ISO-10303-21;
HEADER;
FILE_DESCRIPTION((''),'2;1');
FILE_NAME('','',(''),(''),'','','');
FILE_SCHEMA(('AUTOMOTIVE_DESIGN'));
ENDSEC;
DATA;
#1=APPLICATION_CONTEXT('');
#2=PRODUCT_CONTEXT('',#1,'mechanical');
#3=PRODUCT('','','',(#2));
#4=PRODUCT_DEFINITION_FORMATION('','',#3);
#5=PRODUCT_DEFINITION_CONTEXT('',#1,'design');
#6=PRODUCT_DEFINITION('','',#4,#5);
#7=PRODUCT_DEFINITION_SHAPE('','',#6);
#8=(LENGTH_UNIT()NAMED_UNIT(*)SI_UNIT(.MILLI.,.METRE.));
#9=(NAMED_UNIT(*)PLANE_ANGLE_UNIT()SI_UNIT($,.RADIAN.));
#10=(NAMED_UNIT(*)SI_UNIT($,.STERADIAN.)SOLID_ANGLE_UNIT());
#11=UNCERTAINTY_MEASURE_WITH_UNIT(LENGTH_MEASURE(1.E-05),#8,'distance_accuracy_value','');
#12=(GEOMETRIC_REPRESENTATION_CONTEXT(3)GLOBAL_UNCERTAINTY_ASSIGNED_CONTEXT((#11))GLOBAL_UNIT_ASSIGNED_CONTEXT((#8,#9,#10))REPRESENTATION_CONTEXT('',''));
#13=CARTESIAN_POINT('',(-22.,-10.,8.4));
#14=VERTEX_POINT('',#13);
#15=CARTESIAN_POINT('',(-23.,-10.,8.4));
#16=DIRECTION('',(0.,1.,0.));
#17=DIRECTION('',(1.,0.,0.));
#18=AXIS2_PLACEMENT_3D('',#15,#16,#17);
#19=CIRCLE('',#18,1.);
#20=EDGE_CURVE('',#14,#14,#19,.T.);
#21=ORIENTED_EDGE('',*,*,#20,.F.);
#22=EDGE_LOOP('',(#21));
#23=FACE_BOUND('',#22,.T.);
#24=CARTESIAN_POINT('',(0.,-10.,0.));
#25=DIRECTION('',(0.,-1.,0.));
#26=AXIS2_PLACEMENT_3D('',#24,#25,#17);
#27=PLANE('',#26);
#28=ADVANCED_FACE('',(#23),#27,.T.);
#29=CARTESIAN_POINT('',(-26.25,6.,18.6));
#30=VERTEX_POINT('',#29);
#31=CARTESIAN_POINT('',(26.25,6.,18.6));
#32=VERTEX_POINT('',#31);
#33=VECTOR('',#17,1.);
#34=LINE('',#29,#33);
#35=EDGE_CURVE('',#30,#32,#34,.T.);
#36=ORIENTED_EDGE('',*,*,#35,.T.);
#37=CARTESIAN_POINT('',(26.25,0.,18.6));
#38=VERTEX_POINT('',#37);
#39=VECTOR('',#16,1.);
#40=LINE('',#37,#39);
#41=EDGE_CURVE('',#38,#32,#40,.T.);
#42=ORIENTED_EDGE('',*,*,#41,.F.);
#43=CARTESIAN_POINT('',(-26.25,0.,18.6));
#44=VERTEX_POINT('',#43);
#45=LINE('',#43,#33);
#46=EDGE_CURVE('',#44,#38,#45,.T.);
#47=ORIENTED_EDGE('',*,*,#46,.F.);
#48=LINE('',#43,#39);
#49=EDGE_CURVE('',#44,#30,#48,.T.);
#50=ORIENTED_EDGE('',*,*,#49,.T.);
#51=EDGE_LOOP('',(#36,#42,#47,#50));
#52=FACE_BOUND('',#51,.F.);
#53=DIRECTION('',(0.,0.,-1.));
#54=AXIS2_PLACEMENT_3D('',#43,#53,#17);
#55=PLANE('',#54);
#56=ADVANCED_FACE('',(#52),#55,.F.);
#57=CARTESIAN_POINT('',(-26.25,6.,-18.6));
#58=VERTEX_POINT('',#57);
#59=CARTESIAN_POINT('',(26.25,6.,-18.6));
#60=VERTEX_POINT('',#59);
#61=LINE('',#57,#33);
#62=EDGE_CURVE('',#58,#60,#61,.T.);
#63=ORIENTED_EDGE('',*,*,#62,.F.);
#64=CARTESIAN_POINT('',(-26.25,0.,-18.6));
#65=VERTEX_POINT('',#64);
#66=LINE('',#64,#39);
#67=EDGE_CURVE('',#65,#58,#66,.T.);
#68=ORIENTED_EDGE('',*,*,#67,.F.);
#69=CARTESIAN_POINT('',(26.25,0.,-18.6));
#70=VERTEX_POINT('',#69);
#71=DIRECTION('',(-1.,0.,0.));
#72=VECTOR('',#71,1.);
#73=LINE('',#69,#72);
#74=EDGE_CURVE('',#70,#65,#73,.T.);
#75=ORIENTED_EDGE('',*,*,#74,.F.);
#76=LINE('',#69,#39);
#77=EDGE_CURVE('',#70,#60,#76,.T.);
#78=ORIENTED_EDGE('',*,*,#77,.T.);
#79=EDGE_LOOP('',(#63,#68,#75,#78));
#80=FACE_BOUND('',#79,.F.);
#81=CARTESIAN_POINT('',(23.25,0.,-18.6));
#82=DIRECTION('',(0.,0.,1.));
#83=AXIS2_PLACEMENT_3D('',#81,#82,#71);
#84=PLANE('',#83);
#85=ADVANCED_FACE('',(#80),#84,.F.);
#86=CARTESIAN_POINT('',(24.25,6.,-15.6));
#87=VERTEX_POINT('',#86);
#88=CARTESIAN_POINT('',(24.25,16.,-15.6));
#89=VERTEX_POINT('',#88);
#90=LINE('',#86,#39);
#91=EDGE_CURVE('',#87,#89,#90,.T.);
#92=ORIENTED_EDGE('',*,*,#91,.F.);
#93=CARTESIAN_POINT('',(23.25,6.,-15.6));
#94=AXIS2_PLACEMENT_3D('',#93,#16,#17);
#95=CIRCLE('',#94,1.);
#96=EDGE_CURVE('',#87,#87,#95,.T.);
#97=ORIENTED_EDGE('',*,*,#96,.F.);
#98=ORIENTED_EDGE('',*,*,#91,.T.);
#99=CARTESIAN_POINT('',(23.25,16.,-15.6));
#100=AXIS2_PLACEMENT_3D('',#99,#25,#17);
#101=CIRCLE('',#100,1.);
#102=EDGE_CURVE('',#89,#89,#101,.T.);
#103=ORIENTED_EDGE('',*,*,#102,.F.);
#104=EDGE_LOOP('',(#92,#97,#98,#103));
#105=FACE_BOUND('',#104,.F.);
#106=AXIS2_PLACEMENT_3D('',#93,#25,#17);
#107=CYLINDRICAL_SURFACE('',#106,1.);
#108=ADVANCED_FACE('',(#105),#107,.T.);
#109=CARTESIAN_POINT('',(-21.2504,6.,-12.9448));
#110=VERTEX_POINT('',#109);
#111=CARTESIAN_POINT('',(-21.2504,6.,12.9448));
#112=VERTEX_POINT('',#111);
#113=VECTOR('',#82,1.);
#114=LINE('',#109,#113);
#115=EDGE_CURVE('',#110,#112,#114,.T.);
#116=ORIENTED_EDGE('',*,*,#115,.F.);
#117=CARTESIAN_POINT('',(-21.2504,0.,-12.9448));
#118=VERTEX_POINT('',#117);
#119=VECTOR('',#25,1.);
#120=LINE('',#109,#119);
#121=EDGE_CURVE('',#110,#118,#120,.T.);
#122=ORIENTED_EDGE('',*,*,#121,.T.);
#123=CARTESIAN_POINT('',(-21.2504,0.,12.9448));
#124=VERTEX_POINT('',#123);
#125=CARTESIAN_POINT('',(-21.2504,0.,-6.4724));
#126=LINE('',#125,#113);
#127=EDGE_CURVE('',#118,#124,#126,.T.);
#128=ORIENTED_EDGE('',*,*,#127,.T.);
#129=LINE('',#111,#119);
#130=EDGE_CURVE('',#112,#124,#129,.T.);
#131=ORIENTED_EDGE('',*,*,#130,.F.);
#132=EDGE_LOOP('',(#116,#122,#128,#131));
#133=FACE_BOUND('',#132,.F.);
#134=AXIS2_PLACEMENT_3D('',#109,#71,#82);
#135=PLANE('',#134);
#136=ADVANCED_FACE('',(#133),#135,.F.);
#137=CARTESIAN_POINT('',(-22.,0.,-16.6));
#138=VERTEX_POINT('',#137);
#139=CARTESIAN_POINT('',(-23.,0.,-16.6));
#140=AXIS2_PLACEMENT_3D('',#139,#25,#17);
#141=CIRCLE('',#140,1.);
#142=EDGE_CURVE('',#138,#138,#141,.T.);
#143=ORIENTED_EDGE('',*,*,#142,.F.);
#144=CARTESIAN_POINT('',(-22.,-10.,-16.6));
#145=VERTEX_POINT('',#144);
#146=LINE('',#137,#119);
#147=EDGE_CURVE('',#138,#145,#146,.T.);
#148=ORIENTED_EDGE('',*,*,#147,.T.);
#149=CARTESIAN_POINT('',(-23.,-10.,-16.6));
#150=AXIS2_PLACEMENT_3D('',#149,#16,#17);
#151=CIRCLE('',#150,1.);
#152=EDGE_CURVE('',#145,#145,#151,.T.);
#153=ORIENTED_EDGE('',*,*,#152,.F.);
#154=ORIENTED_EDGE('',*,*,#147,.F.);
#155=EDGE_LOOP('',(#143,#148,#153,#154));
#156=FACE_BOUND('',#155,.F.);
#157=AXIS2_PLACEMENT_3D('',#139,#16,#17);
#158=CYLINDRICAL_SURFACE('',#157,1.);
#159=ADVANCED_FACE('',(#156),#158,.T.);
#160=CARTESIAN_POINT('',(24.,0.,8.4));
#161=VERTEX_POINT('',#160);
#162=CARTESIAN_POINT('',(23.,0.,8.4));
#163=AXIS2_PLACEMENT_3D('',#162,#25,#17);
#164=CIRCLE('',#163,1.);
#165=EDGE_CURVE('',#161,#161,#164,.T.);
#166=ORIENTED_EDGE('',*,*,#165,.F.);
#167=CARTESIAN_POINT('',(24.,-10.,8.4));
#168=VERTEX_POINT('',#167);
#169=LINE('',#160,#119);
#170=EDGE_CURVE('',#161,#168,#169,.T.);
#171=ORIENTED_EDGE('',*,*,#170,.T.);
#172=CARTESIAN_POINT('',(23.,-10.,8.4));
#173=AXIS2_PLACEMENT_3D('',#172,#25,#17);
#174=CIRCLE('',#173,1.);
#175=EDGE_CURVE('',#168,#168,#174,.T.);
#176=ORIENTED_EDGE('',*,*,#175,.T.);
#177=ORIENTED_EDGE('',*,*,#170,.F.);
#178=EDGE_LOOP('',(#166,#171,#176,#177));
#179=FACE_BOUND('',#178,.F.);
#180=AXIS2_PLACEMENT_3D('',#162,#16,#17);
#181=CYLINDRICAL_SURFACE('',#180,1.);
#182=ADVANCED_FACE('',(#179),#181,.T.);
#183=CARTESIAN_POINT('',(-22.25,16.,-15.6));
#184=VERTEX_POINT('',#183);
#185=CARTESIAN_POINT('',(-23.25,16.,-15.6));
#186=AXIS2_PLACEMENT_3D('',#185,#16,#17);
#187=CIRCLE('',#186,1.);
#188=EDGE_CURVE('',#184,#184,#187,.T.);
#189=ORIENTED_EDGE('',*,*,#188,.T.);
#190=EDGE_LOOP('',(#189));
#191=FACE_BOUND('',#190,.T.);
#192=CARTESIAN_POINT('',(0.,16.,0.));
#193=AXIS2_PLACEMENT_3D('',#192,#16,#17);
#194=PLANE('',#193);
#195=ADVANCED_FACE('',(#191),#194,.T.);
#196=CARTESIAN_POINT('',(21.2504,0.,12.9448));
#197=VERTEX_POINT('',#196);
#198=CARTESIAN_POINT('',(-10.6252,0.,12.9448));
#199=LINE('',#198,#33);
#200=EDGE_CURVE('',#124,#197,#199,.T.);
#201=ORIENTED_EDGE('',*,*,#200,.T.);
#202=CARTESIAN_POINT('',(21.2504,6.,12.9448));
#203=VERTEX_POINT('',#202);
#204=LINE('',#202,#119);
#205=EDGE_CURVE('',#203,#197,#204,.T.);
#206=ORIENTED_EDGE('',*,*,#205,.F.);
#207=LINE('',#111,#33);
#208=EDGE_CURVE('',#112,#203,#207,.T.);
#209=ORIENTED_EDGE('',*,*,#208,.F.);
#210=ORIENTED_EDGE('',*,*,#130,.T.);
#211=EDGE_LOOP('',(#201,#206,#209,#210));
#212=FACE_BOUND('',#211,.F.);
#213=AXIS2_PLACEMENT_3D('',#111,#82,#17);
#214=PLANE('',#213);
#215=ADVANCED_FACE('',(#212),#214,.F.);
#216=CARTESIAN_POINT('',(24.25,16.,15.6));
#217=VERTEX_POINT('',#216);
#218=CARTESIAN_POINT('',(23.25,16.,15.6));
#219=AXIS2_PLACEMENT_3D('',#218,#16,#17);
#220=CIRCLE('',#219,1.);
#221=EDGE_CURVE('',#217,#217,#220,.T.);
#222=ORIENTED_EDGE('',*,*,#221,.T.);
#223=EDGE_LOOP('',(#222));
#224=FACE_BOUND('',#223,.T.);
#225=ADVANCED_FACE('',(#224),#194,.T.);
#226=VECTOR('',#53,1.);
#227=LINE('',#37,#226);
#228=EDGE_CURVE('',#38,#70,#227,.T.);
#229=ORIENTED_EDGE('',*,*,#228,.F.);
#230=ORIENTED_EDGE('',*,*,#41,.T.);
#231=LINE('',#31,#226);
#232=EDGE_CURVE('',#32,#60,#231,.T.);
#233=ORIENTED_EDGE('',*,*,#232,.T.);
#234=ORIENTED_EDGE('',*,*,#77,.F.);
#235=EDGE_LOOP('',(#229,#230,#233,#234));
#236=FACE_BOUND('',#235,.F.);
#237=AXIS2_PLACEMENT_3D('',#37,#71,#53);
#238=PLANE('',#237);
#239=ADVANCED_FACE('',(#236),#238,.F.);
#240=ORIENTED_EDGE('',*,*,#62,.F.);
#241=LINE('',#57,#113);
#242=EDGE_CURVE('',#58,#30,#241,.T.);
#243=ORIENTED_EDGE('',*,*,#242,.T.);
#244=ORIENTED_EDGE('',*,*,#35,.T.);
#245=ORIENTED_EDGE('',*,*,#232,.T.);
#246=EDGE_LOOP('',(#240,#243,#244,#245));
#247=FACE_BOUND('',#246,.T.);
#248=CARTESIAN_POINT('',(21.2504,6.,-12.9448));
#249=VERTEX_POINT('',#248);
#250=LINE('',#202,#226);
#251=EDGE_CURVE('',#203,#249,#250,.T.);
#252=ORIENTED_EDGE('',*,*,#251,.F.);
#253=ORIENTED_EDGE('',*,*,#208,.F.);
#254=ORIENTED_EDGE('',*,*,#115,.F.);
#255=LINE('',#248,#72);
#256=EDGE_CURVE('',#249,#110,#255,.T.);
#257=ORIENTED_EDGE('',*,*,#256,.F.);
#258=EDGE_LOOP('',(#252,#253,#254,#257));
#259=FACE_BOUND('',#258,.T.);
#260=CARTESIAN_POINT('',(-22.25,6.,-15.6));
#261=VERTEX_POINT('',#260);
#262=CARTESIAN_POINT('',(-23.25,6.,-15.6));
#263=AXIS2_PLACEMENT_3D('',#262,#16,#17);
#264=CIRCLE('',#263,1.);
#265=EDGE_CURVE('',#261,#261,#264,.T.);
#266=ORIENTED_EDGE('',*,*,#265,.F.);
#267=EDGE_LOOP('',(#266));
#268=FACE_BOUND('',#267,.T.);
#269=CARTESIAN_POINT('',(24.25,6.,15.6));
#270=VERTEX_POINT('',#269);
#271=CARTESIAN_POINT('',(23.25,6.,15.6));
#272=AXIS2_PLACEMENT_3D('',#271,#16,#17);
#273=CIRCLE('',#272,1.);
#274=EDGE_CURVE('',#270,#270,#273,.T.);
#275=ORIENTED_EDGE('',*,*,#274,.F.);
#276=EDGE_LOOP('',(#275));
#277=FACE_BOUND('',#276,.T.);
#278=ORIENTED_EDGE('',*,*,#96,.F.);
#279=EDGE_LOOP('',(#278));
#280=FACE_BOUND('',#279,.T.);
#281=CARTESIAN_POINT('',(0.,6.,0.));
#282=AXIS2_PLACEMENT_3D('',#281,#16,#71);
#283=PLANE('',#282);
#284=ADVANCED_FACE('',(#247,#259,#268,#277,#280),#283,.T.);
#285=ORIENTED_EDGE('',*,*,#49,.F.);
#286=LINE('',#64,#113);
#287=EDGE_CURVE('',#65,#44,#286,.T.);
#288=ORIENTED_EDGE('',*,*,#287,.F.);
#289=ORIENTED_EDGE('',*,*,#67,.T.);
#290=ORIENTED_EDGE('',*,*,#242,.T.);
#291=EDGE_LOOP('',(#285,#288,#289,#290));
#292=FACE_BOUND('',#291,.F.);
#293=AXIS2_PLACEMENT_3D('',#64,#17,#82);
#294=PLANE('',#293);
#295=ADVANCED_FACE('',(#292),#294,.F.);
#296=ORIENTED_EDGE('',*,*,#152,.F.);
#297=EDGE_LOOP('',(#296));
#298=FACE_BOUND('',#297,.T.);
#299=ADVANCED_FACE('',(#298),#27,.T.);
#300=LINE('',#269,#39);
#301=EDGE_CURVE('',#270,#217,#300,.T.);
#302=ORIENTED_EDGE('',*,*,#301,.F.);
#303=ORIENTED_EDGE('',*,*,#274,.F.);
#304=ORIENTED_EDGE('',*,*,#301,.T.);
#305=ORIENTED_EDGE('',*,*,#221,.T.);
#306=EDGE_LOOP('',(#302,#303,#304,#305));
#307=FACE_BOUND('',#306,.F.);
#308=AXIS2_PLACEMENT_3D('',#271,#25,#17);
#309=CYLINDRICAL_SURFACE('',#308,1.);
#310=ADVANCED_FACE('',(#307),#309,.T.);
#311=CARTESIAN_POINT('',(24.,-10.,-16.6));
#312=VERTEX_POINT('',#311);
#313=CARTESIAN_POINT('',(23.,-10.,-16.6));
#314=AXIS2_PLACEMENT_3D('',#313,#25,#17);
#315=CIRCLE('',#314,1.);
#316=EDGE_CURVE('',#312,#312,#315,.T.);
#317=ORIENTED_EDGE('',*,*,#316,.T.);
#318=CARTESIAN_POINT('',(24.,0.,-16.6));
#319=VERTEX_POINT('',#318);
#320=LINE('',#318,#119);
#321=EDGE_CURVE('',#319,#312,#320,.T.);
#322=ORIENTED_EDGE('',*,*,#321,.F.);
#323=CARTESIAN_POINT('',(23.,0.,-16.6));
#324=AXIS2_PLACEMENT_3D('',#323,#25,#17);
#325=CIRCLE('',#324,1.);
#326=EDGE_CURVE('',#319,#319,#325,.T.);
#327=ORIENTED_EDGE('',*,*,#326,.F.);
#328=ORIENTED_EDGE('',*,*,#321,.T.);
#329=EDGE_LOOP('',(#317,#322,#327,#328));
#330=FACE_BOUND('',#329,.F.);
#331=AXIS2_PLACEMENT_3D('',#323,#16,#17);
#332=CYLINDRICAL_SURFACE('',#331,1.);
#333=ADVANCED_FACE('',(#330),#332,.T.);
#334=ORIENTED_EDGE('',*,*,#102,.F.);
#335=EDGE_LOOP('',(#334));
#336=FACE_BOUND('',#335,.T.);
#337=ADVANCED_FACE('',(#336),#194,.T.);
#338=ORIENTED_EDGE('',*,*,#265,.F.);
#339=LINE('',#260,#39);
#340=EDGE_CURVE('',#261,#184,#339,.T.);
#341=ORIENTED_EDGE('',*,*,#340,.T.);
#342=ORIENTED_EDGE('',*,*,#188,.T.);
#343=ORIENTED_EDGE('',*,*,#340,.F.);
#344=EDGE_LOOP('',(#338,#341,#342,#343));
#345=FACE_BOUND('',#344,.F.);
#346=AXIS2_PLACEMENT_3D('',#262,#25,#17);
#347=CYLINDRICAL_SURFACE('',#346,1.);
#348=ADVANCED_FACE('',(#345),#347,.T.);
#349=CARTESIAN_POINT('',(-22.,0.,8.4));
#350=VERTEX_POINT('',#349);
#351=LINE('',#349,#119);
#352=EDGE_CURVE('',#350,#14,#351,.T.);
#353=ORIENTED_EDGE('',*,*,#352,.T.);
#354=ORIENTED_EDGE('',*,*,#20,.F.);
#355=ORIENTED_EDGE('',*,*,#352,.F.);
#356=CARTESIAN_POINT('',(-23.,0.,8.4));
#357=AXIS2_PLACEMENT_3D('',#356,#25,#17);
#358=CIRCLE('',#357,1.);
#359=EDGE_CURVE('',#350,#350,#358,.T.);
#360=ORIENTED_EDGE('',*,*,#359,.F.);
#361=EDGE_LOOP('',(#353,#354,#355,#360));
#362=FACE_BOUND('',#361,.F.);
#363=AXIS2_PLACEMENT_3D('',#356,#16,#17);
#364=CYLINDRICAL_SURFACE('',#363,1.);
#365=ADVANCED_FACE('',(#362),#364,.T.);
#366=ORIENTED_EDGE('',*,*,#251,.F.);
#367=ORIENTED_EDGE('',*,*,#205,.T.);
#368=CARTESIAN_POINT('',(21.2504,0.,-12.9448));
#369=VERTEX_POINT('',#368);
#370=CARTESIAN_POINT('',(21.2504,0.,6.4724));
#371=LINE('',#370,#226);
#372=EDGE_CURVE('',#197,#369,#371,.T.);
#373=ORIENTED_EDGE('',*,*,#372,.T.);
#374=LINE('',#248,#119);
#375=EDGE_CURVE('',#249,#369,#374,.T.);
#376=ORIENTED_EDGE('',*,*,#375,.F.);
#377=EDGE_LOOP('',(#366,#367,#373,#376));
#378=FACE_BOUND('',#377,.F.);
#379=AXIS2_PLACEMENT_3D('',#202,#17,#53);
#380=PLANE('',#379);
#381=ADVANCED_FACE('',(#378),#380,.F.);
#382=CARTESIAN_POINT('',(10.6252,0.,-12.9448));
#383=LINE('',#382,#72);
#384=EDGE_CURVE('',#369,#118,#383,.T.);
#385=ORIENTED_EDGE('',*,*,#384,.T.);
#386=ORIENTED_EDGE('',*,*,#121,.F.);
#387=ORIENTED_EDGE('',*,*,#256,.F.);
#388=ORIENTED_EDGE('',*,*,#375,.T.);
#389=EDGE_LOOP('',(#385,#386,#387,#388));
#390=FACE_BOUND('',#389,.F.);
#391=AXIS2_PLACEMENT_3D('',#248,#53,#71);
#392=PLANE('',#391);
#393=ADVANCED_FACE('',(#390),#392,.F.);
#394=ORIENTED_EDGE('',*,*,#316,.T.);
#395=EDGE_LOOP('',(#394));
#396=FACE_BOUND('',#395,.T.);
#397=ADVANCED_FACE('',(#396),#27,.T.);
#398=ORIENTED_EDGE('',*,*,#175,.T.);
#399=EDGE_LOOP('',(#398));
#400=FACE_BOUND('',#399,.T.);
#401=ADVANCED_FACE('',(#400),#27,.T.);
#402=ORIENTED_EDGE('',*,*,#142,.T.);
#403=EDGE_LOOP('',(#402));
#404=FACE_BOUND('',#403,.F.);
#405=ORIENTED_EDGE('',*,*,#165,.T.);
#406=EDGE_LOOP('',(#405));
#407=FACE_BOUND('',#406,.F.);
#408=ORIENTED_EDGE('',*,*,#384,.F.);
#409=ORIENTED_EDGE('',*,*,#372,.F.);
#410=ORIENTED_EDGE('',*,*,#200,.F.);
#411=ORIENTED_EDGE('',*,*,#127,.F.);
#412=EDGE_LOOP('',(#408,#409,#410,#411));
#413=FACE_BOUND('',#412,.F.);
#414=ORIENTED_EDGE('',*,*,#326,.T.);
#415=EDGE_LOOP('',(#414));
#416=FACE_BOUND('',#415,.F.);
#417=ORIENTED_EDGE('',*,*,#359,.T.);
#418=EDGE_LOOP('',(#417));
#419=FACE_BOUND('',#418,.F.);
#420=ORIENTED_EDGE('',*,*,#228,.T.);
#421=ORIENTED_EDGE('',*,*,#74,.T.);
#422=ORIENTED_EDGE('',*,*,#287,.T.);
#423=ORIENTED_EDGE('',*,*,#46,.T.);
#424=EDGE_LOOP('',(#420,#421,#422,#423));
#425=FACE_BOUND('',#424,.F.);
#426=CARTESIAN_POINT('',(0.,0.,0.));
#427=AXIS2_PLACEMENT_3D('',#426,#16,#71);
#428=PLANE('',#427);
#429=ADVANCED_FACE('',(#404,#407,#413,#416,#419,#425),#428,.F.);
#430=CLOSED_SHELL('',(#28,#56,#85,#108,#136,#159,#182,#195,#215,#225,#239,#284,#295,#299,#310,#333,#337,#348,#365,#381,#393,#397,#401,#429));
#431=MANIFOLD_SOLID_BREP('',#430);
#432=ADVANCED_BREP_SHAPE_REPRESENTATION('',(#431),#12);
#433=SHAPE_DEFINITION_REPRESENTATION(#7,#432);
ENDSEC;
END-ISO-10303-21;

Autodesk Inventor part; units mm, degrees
ref_plane "YZ Plane" through (0, 0, 0) normal (1, 0, 0) x (0, 1, 0)
ref_plane "XZ Plane" through (0, 0, 0) normal (0, 1, 0) x (-1, 0, 0)
ref_plane "XY Plane" through (0, 0, 0) normal (0, 0, 1) x (1, 0, 0)
sketch "Sketch1" plane through (0, 0, 0) normal (0, 1, 0) x (-1, 0, 0)
  line L0 (26.25, 18.6) -> (-26.25, 18.6)
  line L1 (-26.25, 18.6) -> (-26.25, -18.6)
  line L2 (-26.25, -18.6) -> (26.25, -18.6)
  line L3 (26.25, -18.6) -> (26.25, 18.6)
  line L4 (26.25, 18.6) -> (-26.25, -18.6) construction
  line L5 (-26.25, 18.6) -> (26.25, -18.6) construction
  line L6 (-26.25, -18.6) -> (-23.25, -18.6)
  point P0 (0, 0)
  dimension "d0" = 52.5
  dimension "d1" = 37.2
  dimension "d2" = 3
extrude "Extrusion1" add sketch "Sketch1" along normal blind 6
sketch "Sketch2" plane through (0, 6, 0) normal (0, 1, 0) x (1, 0, 0)
  line L0 (26.25, 18.6) -> (-26.25, 18.6) projected
  line L1 (26.25, 18.6) -> (26.25, 15.6)
  line L2 (26.25, -18.6) -> (26.25, 18.6) projected
  line L3 (26.25, 18.6) -> (23.25, 18.6)
  line L4 (23.25, 18.6) -> (23.25, 15.6)
  circle A0 centre (23.25, 15.6) radius 1
  line L5 (26.25, 0) -> (18.0402, 0)
  line L6 (0, 18.6) -> (0, 10.2391)
  circle A1 centre (23.25, -15.6) radius 1
  circle A2 centre (-23.25, 15.6) radius 1
  point P0 (0, 0)
  dimension "d5" = 3
  dimension "d6" = 3
  dimension "d7" = 2
extrude "Extrusion2" add sketch "Sketch2" along normal blind 10
sketch "Sketch4" plane through (0, 0, 0) normal (0, -1, 0) x (1, 0, 0)
  line L0 (26.25, -18.6) -> (-26.25, -18.6) projected
  line L1 (-26.25, -18.6) -> (-26.25, -16.6)
  line L2 (-26.25, -18.6) -> (-26.25, 18.6) projected
  line L3 (-26.25, -16.6) -> (-23, -16.6)
  circle A0 centre (-23, -16.6) radius 1
  line L4 (-23, -16.6) -> (-23, 8.4)
  line L5 (-23, -4.1) -> (-16.8136, -4.1)
  circle A1 centre (-23, 8.4) radius 1
  line L6 (0, -18.6) -> (0, -14.1147)
  circle A2 centre (23, -16.6) radius 1
  circle A3 centre (23, 8.4) radius 1
  point P0 (0, 0)
  dimension "d16" = 2
  dimension "d17" = 3.25
  dimension "d18" = 2
  dimension "d19" = 25
extrude "Extrusion4" add sketch "Sketch4" along normal blind 10
sketch "Sketch5" plane through (0, 6, 0) normal (0, 1, 0) x (1, 0, 0)
  line L0 (-21.2504, -12.9448) -> (21.2504, -12.9448)
  line L1 (21.2504, -12.9448) -> (21.2504, 12.9448)
  line L2 (21.2504, 12.9448) -> (-21.2504, 12.9448)
  line L3 (-21.2504, 12.9448) -> (-21.2504, -12.9448)
  line L4 (-21.2504, -12.9448) -> (21.2504, 12.9448) construction
  line L5 (21.2504, -12.9448) -> (-21.2504, 12.9448) construction
  point P0 (0, 0)
extrude "Extrusion5" cut sketch "Sketch5" against normal blind 10.5
properties part number "Divider_NodeMCU_Sipeed"
